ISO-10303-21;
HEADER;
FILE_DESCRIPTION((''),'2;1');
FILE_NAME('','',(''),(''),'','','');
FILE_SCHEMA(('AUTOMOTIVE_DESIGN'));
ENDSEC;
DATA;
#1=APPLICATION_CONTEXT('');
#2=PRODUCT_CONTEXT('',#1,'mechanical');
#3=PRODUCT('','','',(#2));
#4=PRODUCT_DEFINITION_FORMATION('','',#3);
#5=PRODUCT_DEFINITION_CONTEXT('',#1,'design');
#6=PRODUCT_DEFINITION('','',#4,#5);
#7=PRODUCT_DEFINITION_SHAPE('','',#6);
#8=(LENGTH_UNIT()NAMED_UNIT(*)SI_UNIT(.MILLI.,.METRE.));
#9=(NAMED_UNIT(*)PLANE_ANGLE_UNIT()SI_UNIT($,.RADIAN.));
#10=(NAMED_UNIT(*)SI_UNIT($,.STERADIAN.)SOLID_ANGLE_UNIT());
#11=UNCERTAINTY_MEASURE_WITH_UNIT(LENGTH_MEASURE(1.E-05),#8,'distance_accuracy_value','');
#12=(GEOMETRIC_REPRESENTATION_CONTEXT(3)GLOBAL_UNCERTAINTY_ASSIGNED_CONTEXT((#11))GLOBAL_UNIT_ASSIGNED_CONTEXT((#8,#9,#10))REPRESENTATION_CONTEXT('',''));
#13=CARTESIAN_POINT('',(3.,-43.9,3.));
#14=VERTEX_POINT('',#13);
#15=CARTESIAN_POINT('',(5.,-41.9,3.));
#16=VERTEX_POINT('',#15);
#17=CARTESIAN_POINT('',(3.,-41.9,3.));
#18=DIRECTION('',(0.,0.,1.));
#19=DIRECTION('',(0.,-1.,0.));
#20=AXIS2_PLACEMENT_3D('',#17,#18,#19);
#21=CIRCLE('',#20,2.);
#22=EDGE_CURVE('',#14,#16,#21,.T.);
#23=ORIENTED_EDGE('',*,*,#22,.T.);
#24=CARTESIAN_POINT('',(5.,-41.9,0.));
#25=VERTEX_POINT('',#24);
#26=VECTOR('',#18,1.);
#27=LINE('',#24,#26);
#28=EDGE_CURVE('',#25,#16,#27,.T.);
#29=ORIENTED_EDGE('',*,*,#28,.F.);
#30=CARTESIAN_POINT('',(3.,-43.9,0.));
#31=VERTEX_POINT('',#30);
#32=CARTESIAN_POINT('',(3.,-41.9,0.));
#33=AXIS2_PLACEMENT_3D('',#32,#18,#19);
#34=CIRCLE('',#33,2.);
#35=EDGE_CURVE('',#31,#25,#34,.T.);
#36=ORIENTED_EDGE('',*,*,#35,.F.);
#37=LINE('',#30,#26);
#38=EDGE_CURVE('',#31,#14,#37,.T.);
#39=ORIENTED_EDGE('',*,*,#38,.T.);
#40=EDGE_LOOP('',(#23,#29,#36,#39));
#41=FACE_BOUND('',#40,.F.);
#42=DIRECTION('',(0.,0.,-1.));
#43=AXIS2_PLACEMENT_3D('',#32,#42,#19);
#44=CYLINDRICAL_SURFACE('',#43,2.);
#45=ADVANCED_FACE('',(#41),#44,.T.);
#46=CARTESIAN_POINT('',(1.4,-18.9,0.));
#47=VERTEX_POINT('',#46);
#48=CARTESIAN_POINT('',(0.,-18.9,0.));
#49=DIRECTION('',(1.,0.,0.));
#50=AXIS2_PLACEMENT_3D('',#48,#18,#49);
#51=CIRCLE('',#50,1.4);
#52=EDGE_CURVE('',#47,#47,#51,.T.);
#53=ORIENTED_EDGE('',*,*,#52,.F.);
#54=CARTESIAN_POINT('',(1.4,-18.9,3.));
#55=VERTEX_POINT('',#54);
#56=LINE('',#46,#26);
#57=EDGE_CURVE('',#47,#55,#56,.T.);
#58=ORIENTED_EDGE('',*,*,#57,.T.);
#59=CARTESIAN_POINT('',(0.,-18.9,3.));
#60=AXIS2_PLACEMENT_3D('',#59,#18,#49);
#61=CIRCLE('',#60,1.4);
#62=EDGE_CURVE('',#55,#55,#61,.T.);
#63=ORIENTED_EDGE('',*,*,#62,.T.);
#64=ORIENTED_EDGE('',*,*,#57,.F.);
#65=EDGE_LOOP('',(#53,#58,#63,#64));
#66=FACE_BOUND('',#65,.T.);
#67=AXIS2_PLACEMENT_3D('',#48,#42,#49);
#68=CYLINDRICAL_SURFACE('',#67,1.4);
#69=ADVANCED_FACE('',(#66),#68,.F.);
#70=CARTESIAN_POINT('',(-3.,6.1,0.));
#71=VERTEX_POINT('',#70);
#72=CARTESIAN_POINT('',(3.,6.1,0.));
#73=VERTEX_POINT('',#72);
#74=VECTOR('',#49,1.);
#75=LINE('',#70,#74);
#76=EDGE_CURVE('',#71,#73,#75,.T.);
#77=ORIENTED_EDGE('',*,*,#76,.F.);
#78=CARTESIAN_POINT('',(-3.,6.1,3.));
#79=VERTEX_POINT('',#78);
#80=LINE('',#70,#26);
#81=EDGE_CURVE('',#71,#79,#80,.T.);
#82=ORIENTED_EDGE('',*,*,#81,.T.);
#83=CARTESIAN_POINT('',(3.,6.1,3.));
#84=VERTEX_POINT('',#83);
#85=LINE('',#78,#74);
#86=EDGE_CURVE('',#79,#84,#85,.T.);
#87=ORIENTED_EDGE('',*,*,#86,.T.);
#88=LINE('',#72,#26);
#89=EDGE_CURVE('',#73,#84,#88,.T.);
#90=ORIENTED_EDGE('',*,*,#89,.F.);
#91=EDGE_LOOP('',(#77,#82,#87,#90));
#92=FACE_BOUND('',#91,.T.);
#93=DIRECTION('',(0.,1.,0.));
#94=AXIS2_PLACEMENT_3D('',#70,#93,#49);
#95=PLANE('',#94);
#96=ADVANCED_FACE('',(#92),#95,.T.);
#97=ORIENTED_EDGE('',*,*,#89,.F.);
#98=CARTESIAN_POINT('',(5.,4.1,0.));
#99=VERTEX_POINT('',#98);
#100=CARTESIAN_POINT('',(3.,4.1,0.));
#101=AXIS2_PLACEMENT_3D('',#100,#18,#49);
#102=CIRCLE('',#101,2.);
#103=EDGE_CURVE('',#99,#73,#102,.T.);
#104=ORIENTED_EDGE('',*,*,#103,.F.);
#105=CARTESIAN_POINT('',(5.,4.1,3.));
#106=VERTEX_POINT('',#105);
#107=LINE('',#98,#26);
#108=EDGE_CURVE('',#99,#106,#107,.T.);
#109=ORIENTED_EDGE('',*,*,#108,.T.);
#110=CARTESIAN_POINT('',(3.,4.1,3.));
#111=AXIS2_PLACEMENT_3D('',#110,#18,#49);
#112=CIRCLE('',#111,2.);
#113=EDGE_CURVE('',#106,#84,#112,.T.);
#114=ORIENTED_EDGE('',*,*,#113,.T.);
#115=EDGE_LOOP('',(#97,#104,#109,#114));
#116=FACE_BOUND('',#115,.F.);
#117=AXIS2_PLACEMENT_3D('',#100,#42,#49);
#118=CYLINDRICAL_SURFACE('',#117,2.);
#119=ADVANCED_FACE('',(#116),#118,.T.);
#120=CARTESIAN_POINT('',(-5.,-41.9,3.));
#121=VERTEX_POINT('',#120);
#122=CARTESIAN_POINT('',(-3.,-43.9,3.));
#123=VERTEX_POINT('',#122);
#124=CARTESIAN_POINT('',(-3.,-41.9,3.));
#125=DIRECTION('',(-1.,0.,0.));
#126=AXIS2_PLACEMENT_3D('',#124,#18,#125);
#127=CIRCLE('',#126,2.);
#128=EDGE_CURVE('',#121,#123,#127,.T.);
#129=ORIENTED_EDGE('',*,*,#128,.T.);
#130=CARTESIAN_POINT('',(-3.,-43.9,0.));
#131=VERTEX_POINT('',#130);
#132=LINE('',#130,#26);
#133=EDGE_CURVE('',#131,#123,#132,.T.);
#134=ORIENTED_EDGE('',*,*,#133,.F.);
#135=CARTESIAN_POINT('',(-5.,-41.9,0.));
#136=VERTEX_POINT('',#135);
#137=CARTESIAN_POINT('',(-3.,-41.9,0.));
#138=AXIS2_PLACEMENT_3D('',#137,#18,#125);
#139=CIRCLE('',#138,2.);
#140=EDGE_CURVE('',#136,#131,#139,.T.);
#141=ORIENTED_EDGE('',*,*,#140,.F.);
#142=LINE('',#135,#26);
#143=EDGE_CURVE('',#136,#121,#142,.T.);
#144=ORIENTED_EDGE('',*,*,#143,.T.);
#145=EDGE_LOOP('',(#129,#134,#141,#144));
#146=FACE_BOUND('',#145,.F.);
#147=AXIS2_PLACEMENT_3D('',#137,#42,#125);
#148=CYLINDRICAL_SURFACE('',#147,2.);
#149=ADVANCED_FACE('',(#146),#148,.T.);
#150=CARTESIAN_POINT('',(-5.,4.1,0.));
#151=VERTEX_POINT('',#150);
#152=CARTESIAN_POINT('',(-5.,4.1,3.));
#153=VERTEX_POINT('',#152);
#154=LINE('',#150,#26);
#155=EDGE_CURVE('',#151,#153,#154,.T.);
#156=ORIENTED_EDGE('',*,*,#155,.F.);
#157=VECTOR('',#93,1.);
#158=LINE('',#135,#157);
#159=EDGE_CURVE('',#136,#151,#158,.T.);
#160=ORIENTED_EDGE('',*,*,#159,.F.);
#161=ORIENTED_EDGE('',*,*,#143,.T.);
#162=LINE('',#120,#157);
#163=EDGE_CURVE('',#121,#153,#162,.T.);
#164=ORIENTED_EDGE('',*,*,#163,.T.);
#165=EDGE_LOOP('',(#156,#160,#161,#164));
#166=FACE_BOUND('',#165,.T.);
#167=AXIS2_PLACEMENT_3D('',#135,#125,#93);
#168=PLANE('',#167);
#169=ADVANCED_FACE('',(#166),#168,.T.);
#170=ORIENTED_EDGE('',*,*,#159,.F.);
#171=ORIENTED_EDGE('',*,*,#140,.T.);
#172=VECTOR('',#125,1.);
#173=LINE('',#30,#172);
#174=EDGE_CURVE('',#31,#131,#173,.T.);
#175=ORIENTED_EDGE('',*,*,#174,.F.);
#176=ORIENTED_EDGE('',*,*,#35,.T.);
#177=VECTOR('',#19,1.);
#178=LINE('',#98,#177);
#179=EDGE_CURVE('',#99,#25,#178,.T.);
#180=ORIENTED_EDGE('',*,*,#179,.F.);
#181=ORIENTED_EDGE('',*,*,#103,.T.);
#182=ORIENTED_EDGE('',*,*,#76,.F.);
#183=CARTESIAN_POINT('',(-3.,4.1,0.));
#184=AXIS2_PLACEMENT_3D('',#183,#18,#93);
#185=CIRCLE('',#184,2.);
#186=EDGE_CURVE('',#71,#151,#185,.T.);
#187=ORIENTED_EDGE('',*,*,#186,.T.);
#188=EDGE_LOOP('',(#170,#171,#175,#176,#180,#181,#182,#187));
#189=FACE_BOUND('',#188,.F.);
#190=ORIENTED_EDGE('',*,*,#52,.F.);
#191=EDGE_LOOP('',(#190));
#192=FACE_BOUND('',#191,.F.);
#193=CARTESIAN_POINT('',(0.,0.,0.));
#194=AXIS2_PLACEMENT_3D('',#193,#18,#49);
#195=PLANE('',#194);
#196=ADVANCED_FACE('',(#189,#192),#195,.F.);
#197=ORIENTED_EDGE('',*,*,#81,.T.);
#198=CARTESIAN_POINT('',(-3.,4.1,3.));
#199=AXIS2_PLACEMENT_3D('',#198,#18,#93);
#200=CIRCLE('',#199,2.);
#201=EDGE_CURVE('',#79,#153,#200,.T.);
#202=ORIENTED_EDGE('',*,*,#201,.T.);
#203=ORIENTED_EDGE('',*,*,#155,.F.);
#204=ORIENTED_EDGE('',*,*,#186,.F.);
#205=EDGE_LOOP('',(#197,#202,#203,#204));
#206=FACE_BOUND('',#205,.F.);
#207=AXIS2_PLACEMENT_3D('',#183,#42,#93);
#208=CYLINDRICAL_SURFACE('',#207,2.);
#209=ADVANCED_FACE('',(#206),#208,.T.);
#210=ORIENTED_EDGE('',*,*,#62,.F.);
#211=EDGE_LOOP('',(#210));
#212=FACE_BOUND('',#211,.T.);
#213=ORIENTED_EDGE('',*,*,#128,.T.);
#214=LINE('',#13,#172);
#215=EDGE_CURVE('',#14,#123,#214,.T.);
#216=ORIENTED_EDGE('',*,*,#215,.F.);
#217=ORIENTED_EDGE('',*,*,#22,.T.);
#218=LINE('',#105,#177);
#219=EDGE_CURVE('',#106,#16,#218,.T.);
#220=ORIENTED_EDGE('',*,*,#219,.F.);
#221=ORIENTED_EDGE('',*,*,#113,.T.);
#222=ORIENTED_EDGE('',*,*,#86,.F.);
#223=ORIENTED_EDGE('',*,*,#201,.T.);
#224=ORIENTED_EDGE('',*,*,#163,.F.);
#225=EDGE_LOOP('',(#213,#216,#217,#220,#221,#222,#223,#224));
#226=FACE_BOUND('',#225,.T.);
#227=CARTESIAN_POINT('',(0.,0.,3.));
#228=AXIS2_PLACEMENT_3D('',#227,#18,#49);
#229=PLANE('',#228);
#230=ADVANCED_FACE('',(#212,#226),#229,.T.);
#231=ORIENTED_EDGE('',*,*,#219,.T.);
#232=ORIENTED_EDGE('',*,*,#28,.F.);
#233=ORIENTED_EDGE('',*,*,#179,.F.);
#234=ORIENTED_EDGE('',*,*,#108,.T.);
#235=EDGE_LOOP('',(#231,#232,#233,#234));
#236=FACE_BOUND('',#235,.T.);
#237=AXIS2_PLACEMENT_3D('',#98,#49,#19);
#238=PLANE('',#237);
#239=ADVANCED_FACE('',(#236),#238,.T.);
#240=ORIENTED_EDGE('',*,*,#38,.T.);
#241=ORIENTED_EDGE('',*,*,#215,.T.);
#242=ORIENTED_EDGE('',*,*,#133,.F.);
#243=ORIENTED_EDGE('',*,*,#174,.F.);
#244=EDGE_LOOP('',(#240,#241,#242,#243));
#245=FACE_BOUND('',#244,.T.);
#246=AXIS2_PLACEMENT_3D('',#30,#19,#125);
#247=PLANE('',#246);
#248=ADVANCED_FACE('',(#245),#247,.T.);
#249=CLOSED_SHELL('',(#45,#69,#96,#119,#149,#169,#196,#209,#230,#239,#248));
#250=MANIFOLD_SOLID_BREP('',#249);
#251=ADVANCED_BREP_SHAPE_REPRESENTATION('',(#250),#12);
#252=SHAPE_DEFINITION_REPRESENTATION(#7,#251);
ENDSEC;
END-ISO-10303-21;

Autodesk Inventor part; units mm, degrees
ref_plane "YZ Plane" through (0, 0, 0) normal (1, 0, 0) x (0, 1, 0)
ref_plane "XZ Plane" through (0, 0, 0) normal (0, 1, 0) x (-1, 0, 0)
ref_plane "XY Plane" through (0, 0, 0) normal (0, 0, 1) x (1, 0, 0)
ref_plane "Work Plane1" through (0, 0, 0) normal (0, 0, 1) x (1, 0, 0)
sketch "Sketch1" plane through (0, 0, 0) normal (0, 0, 1) x (1, 0, 0)
  circle A0 centre (0, -18.9) radius 1.4 projected
  line L0 (3, -43.9) -> (-3, -43.9)
  line L1 (-5, -41.9) -> (-5, 4.1)
  line L2 (-3, 6.1) -> (3, 6.1)
  line L3 (5, 4.1) -> (5, -41.9)
  line L4 (5, -43.9) -> (-5, 6.1) construction
  line L5 (-5, -43.9) -> (5, 6.1) construction
  arc A1 (-5, -41.9) -> (-3, -43.9) centre (-3, -41.9) ccw
  arc A2 (3, -43.9) -> (5, -41.9) centre (3, -41.9) ccw
  arc A3 (5, 4.1) -> (3, 6.1) centre (3, 4.1) ccw
  arc A4 (-3, 6.1) -> (-5, 4.1) centre (-3, 4.1) ccw
  point P0 (0, 0)
  dimension "d0" = 10
  dimension "d1" = 50
  dimension "d2" = 2
extrude "Extrusion1" add sketch "Sketch1" along normal blind 3
properties part number "20_Cube_4_insert_xy_levelarm_2"
